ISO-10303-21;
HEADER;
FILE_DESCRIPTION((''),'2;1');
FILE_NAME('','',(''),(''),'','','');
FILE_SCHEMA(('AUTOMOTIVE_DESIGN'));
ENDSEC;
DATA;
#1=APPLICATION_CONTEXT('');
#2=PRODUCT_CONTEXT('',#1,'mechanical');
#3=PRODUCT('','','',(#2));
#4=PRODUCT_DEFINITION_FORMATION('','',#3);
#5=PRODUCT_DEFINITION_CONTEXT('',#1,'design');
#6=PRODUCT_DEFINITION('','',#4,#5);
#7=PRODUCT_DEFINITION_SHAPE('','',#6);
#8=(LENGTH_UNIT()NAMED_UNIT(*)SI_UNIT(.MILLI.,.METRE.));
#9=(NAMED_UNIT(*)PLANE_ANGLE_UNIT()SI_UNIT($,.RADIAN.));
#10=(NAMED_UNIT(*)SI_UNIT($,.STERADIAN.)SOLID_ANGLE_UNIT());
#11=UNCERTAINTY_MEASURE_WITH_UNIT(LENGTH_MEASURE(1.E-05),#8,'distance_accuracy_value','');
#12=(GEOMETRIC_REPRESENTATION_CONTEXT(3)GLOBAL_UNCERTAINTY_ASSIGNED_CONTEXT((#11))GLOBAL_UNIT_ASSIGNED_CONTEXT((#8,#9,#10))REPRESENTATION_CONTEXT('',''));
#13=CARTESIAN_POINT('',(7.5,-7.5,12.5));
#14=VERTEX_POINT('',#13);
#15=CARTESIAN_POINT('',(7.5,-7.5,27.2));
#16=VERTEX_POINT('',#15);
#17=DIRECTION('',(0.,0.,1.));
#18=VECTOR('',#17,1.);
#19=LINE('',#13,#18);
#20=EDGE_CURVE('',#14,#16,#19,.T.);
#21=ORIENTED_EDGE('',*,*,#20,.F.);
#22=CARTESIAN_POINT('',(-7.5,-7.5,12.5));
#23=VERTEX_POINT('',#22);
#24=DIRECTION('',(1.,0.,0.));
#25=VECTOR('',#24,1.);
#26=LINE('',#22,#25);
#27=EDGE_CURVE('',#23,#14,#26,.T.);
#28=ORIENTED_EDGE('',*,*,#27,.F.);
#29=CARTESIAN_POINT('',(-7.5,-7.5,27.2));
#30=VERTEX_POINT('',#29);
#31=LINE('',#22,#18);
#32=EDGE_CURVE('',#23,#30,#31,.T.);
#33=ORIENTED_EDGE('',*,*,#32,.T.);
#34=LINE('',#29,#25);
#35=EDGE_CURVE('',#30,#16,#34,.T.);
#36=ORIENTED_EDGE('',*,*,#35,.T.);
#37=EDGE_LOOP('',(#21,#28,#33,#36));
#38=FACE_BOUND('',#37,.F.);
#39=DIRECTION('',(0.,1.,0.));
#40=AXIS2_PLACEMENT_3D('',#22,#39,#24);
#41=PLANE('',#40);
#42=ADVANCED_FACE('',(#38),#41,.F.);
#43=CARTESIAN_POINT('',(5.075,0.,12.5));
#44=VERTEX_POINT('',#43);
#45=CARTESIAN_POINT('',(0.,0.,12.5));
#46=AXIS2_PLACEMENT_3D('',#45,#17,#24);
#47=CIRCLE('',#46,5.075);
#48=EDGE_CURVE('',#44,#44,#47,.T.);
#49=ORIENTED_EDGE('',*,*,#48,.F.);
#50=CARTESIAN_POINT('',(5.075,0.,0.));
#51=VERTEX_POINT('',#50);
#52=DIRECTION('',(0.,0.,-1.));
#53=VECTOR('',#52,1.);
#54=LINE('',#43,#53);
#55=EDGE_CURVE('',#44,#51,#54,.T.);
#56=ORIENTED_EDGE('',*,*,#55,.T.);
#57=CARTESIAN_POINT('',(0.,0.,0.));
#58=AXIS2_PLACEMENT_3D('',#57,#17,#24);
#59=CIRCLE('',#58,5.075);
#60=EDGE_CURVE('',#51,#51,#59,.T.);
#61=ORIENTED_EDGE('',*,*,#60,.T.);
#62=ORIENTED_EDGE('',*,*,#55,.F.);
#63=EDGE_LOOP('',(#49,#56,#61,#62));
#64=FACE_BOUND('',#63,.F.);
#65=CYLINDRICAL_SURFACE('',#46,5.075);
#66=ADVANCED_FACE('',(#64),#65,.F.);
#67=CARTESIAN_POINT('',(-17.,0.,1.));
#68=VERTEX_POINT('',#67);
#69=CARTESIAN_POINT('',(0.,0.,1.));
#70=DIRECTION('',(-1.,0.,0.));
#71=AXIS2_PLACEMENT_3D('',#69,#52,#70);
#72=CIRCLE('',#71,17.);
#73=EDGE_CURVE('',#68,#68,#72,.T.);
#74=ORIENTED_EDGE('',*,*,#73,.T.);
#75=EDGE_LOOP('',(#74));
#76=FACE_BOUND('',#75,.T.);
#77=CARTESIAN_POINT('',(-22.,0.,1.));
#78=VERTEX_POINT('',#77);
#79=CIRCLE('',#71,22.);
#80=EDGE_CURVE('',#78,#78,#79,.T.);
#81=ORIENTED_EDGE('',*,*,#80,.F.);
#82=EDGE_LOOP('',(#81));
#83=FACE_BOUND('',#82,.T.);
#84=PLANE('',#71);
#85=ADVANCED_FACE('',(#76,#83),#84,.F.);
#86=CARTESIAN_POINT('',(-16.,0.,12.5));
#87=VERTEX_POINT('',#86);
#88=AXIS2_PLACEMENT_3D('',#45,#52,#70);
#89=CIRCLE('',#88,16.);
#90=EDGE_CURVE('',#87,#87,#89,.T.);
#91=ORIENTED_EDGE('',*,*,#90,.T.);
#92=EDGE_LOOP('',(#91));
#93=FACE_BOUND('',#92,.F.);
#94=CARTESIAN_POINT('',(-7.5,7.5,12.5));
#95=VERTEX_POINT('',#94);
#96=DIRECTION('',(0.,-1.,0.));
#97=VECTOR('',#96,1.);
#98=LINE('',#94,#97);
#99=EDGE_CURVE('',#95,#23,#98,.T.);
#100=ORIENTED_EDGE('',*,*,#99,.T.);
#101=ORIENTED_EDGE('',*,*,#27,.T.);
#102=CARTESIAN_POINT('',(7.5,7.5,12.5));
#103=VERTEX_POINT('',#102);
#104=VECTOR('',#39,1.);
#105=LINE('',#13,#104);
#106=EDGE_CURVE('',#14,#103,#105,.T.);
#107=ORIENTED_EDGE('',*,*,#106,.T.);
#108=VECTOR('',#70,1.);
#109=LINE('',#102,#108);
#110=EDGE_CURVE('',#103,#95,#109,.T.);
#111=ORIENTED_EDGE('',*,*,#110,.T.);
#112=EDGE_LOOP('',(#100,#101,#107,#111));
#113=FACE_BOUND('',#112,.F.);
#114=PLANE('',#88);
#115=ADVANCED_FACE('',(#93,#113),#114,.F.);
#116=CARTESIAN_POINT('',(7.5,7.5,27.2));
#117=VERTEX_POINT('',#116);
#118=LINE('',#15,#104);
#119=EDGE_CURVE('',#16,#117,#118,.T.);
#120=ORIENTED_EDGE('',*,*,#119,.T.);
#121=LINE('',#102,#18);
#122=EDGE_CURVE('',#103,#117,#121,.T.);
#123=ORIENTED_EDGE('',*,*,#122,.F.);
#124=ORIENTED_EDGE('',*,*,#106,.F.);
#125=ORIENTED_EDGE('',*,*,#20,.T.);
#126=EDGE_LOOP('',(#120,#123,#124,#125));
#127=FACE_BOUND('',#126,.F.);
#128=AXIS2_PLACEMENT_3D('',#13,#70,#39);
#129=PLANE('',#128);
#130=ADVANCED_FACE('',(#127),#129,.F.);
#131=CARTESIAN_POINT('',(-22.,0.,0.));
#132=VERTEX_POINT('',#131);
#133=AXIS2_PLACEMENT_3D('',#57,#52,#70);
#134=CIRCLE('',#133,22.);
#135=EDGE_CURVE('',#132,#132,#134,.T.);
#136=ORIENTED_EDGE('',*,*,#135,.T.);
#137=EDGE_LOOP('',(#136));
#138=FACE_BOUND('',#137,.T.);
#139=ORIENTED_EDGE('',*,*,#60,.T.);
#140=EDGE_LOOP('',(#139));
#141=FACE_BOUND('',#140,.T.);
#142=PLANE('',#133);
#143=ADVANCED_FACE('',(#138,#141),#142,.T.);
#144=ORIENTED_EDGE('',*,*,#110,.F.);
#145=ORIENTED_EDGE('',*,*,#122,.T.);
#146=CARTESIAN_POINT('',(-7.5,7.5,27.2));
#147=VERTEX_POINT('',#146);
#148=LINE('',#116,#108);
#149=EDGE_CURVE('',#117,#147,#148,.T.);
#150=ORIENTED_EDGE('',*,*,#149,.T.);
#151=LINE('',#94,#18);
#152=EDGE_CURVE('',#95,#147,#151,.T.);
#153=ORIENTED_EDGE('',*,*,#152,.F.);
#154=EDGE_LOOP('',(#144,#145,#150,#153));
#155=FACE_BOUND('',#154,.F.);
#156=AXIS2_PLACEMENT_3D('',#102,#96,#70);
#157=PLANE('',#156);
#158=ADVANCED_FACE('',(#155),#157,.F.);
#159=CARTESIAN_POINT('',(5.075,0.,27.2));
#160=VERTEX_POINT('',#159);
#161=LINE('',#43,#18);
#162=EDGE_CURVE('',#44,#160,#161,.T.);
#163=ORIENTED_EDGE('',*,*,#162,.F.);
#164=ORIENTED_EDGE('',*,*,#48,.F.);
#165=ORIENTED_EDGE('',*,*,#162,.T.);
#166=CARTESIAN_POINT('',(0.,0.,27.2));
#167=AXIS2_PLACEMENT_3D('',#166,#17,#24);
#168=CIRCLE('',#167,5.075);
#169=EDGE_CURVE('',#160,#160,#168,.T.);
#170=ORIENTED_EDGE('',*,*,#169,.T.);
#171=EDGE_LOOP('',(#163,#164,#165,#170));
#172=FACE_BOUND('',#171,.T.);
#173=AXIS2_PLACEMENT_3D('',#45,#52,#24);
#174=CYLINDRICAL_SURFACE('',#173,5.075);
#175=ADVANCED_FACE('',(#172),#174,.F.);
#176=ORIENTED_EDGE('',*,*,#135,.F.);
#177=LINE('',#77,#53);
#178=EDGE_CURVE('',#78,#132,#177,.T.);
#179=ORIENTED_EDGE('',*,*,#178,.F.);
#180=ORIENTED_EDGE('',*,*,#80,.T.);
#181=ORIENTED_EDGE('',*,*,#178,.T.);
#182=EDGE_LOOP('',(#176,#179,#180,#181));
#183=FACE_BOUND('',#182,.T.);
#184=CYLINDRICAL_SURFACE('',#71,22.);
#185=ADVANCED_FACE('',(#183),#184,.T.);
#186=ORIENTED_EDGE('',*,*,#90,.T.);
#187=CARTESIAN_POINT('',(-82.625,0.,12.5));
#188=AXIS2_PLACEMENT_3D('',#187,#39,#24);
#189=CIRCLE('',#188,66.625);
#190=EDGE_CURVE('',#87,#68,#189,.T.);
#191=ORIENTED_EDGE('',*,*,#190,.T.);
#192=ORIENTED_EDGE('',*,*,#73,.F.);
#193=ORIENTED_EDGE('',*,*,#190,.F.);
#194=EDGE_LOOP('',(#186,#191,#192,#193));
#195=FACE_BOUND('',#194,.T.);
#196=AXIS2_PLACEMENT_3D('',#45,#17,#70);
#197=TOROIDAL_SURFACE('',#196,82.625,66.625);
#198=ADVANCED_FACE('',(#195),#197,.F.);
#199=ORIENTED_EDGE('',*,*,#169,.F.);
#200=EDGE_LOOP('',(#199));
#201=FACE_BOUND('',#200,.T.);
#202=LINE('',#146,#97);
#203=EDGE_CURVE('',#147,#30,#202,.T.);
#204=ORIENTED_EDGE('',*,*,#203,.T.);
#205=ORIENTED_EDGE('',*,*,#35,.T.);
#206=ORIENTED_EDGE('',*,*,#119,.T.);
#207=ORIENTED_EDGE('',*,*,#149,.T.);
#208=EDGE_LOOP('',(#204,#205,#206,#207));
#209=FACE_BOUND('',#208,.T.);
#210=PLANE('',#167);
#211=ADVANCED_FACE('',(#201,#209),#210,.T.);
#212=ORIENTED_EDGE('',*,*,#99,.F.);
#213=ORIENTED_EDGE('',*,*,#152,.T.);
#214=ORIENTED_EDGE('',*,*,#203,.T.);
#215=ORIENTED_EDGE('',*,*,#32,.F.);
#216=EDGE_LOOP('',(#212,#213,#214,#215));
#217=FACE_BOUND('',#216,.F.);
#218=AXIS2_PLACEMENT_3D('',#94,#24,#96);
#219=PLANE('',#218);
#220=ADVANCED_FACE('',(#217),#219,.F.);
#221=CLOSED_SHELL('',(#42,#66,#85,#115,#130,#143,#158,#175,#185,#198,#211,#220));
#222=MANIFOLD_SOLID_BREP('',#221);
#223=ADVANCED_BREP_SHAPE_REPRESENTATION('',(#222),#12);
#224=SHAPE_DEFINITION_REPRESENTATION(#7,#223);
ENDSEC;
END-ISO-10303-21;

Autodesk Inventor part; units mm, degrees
ref_plane "YZ Plane" through (0, 0, 0) normal (1, 0, 0) x (0, 1, 0)
ref_plane "XZ Plane" through (0, 0, 0) normal (0, 1, 0) x (-1, 0, 0)
ref_plane "XY Plane" through (0, 0, 0) normal (0, 0, 1) x (1, 0, 0)
sketch "Skizze1" plane through (0, 0, 0) normal (0, 1, 0) x (-1, 0, 0)
  line L0 (17, 1) -> (22, 1)
  line L1 (22, 1) -> (22, 0)
  line L2 (22, 0) -> (0, 0)
  line L3 (0, 12.5) -> (0, 0)
  line L4 (99.15, 0) -> (-16.525, 0) projected
  line L5 (0, -2.5) -> (0, 15) projected
  line L6 (16, 12.5) -> (0, 12.5)
  arc A0 (16, 12.5) -> (17, 1) centre (82.625, 12.5) ccw
  line L7 (16, 12.5) -> (16, 0) construction
  dimension "d5" = 44
  dimension "d6" = 12.5
  dimension "d7" = 1
  dimension "d15" = 16
  dimension "d16" = 17
revolve "Umdrehung1" add sketch "Skizze1" angle 360 about axis through (0, 0, 12.5) along (0, 0, -1)
sketch "Skizze3" plane through (0, 0, 12.5) normal (0, 0, 1) x (1, 0, 0)
  circle A0 centre (0, 0) radius 22 projected
  circle A1 centre (0, 0) radius 5.075
  dimension "d8" = 10.15
extrude "Extrusion2" cut sketch "Skizze3" against normal through all contours A1
sketch "Skizze4" plane through (0, 0, 12.5) normal (0, 0, 1) x (1, 0, 0)
  circle A0 centre (0, 0) radius 5.075 projected
  circle A1 centre (0, 0) radius 16 projected
  line L0 (-7.5, -7.5) -> (7.5, -7.5)
  line L1 (7.5, -7.5) -> (7.5, 7.5)
  line L2 (7.5, 7.5) -> (-7.5, 7.5)
  line L3 (-7.5, 7.5) -> (-7.5, -7.5)
  line L4 (-7.5, -7.5) -> (7.5, 7.5) construction
  line L5 (7.5, -7.5) -> (-7.5, 7.5) construction
  dimension "d11" = 15
  dimension "d12" = 15
extrude "Extrusion3" add sketch "Skizze4" along normal blind 14.7 contours L3 L2 L1 L0
properties part number "Seil_Rolle_Antrieb_Links" material "PC/ABS-Kunststoff"
